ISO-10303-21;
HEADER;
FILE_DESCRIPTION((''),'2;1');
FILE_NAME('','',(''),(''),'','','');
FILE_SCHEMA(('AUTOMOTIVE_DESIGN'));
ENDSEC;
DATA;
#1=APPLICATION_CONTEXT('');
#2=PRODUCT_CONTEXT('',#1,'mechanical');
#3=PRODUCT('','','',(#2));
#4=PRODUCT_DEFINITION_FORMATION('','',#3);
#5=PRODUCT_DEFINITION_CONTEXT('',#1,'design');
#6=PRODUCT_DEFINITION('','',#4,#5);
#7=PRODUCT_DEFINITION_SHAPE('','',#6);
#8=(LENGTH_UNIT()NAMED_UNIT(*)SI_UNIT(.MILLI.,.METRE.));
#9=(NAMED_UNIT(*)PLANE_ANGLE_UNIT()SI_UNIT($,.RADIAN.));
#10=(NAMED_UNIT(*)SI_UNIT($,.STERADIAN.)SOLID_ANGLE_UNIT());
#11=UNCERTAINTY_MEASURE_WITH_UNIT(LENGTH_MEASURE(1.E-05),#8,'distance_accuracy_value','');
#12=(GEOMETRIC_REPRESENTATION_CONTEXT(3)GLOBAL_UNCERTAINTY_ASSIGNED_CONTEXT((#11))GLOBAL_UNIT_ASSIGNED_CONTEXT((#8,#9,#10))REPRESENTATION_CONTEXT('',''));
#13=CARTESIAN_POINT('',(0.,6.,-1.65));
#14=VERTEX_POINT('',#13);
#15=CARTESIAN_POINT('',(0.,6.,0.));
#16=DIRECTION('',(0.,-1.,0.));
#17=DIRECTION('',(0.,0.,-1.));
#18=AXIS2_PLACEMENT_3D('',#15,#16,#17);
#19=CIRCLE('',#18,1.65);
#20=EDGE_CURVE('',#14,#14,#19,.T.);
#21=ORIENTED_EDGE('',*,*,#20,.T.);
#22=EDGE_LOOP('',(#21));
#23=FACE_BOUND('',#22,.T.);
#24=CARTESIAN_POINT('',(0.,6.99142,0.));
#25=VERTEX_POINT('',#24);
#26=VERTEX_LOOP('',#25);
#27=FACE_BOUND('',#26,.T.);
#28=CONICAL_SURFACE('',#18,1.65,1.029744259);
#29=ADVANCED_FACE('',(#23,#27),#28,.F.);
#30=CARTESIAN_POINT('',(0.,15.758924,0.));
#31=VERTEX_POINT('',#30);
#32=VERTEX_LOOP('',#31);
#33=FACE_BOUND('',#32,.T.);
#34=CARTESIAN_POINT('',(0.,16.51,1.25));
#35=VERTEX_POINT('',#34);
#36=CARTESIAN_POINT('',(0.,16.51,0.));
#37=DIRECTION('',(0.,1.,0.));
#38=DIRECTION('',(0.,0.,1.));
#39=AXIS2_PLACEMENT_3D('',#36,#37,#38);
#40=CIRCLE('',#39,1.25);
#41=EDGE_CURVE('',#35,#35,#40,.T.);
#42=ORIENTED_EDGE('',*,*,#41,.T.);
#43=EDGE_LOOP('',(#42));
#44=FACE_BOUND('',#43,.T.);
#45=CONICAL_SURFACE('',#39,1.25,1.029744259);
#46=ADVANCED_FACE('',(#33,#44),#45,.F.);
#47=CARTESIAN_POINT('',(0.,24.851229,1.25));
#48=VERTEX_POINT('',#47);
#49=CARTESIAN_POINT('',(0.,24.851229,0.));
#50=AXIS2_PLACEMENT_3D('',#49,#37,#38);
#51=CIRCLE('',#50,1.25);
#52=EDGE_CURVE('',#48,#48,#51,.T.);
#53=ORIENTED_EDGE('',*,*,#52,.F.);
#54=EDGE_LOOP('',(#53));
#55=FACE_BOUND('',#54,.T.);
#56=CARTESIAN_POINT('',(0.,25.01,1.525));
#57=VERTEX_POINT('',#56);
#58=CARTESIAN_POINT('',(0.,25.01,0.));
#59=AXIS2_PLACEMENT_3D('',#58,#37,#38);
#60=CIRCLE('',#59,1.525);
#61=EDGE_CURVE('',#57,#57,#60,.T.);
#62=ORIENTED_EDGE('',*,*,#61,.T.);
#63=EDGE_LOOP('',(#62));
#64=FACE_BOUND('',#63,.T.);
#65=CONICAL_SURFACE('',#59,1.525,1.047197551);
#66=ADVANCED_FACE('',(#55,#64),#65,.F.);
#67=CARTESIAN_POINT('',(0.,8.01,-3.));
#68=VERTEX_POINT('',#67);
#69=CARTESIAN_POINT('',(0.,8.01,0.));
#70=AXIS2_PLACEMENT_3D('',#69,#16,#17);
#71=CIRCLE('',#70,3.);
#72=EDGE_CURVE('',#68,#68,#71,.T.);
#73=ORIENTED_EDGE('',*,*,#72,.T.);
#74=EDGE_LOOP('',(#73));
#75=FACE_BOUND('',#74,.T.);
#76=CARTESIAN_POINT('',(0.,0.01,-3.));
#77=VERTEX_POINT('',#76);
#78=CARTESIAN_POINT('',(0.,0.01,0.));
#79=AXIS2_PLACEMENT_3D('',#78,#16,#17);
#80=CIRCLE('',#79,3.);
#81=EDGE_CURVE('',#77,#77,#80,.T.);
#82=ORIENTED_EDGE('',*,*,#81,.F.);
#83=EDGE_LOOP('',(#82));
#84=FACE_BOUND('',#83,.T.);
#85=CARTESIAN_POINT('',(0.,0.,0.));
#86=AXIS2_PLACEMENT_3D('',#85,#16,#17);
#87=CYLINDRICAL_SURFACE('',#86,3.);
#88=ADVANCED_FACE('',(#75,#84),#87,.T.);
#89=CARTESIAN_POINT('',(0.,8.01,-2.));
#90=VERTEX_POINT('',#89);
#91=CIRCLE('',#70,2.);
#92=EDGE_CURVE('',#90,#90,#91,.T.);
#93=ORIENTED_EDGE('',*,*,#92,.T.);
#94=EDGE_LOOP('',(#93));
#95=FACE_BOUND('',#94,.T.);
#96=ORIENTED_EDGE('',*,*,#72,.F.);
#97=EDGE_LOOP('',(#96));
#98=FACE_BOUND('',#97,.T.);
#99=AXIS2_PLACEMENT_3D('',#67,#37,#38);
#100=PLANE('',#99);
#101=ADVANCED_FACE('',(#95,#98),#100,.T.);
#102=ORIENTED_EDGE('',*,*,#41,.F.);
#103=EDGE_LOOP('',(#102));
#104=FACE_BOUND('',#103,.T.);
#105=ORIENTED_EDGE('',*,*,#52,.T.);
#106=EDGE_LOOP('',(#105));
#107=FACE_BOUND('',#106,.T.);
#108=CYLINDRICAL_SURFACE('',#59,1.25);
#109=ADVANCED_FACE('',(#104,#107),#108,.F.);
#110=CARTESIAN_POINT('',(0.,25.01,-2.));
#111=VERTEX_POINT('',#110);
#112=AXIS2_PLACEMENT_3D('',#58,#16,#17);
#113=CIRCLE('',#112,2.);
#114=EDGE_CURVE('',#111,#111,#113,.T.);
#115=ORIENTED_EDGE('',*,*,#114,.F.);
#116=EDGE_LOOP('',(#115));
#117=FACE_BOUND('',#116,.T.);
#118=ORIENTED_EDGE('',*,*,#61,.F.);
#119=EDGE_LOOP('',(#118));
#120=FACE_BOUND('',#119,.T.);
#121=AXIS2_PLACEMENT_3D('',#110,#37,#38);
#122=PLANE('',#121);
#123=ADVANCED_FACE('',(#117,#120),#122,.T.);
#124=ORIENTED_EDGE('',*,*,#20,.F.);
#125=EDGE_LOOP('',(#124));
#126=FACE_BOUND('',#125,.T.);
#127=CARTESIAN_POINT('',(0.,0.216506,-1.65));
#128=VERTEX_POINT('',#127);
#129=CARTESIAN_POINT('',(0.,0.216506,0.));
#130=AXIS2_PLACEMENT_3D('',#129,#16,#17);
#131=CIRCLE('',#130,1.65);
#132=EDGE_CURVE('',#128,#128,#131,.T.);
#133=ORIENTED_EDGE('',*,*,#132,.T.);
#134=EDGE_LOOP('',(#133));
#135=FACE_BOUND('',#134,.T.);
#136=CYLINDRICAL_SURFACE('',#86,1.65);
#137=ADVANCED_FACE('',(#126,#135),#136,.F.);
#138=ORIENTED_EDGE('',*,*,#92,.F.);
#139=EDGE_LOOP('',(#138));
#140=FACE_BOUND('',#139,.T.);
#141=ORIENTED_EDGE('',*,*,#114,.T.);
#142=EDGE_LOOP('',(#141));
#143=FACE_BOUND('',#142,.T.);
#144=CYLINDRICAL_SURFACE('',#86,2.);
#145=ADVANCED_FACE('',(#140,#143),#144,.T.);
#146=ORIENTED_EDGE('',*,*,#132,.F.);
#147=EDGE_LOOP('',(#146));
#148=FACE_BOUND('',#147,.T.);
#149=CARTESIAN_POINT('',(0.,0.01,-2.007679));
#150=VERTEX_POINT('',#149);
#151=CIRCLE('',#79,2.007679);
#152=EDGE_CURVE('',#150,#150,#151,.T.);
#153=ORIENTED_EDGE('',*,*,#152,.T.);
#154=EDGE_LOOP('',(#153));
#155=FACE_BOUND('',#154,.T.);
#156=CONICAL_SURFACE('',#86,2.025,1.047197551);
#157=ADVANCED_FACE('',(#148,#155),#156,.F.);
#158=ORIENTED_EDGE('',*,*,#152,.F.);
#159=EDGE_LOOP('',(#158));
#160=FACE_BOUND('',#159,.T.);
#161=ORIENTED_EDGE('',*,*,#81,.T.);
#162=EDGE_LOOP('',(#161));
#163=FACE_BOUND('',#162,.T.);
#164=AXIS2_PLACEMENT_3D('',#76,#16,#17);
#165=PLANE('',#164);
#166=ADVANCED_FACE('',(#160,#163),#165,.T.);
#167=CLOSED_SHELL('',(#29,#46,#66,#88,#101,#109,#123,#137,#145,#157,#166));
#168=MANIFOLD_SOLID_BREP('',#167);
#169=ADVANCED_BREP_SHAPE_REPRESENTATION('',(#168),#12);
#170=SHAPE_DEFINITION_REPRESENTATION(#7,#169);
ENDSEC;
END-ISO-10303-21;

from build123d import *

# Parameters (mm, degrees)
HOLE_WIZARD_M32_D           = 2.5
HOLE_WIZARD_M32_DEPTH       = 8.5
HOLE_WIZARD_M32_CSINK_D     = 3.05
HOLE_WIZARD_M32_CSINK_ANGLE = 120
HOLE_WIZARD_M32_TIP         = 0.751075774
HOLE_WIZARD_1_D             = 3.3
HOLE_WIZARD_1_DEPTH         = 6
HOLE_WIZARD_1_CSINK_D       = 4.05
HOLE_WIZARD_1_CSINK_ANGLE   = 120
HOLE_WIZARD_1_TIP           = 0.991420021


with BuildPart() as part:
    # Эскиз2 → Повернуть1 (revolve)
    with BuildSketch(Plane(origin=(0, 0, 0), x_dir=(0, 0, -1), z_dir=(1, 0, 0))):
        Polygon((0, 0), (2, 0), (2, 0.01), (3, 0.01), (3, 8.01), (2, 8.01), (2, 25.01), (0, 25.01), align=None)
    revolve(axis=Axis((0, 0, 0), (0, 1, 0)))

    # Отверстие обработанное метчиком M32
    with Locations(Plane(origin=(0, 25.01, 0), x_dir=(-1, 0, 0), z_dir=(0, 1, 0))):
        with Locations((0, 0)):
            CounterSinkHole(HOLE_WIZARD_M32_D / 2, HOLE_WIZARD_M32_CSINK_D / 2, depth=HOLE_WIZARD_M32_DEPTH, counter_sink_angle=HOLE_WIZARD_M32_CSINK_ANGLE)
            with Locations((0, 0, -(HOLE_WIZARD_M32_DEPTH + HOLE_WIZARD_M32_TIP / 2))):  # 118° drill point
                Cone(0, HOLE_WIZARD_M32_D / 2, HOLE_WIZARD_M32_TIP, mode=Mode.SUBTRACT)

    # Отверстие обработанное метчиком 1
    with Locations(Plane.XZ):
        with Locations((0, 0)):
            CounterSinkHole(HOLE_WIZARD_1_D / 2, HOLE_WIZARD_1_CSINK_D / 2, depth=HOLE_WIZARD_1_DEPTH, counter_sink_angle=HOLE_WIZARD_1_CSINK_ANGLE)
            with Locations((0, 0, -(HOLE_WIZARD_1_DEPTH + HOLE_WIZARD_1_TIP / 2))):  # 118° drill point
                Cone(0, HOLE_WIZARD_1_D / 2, HOLE_WIZARD_1_TIP, mode=Mode.SUBTRACT)


solid = part.part
